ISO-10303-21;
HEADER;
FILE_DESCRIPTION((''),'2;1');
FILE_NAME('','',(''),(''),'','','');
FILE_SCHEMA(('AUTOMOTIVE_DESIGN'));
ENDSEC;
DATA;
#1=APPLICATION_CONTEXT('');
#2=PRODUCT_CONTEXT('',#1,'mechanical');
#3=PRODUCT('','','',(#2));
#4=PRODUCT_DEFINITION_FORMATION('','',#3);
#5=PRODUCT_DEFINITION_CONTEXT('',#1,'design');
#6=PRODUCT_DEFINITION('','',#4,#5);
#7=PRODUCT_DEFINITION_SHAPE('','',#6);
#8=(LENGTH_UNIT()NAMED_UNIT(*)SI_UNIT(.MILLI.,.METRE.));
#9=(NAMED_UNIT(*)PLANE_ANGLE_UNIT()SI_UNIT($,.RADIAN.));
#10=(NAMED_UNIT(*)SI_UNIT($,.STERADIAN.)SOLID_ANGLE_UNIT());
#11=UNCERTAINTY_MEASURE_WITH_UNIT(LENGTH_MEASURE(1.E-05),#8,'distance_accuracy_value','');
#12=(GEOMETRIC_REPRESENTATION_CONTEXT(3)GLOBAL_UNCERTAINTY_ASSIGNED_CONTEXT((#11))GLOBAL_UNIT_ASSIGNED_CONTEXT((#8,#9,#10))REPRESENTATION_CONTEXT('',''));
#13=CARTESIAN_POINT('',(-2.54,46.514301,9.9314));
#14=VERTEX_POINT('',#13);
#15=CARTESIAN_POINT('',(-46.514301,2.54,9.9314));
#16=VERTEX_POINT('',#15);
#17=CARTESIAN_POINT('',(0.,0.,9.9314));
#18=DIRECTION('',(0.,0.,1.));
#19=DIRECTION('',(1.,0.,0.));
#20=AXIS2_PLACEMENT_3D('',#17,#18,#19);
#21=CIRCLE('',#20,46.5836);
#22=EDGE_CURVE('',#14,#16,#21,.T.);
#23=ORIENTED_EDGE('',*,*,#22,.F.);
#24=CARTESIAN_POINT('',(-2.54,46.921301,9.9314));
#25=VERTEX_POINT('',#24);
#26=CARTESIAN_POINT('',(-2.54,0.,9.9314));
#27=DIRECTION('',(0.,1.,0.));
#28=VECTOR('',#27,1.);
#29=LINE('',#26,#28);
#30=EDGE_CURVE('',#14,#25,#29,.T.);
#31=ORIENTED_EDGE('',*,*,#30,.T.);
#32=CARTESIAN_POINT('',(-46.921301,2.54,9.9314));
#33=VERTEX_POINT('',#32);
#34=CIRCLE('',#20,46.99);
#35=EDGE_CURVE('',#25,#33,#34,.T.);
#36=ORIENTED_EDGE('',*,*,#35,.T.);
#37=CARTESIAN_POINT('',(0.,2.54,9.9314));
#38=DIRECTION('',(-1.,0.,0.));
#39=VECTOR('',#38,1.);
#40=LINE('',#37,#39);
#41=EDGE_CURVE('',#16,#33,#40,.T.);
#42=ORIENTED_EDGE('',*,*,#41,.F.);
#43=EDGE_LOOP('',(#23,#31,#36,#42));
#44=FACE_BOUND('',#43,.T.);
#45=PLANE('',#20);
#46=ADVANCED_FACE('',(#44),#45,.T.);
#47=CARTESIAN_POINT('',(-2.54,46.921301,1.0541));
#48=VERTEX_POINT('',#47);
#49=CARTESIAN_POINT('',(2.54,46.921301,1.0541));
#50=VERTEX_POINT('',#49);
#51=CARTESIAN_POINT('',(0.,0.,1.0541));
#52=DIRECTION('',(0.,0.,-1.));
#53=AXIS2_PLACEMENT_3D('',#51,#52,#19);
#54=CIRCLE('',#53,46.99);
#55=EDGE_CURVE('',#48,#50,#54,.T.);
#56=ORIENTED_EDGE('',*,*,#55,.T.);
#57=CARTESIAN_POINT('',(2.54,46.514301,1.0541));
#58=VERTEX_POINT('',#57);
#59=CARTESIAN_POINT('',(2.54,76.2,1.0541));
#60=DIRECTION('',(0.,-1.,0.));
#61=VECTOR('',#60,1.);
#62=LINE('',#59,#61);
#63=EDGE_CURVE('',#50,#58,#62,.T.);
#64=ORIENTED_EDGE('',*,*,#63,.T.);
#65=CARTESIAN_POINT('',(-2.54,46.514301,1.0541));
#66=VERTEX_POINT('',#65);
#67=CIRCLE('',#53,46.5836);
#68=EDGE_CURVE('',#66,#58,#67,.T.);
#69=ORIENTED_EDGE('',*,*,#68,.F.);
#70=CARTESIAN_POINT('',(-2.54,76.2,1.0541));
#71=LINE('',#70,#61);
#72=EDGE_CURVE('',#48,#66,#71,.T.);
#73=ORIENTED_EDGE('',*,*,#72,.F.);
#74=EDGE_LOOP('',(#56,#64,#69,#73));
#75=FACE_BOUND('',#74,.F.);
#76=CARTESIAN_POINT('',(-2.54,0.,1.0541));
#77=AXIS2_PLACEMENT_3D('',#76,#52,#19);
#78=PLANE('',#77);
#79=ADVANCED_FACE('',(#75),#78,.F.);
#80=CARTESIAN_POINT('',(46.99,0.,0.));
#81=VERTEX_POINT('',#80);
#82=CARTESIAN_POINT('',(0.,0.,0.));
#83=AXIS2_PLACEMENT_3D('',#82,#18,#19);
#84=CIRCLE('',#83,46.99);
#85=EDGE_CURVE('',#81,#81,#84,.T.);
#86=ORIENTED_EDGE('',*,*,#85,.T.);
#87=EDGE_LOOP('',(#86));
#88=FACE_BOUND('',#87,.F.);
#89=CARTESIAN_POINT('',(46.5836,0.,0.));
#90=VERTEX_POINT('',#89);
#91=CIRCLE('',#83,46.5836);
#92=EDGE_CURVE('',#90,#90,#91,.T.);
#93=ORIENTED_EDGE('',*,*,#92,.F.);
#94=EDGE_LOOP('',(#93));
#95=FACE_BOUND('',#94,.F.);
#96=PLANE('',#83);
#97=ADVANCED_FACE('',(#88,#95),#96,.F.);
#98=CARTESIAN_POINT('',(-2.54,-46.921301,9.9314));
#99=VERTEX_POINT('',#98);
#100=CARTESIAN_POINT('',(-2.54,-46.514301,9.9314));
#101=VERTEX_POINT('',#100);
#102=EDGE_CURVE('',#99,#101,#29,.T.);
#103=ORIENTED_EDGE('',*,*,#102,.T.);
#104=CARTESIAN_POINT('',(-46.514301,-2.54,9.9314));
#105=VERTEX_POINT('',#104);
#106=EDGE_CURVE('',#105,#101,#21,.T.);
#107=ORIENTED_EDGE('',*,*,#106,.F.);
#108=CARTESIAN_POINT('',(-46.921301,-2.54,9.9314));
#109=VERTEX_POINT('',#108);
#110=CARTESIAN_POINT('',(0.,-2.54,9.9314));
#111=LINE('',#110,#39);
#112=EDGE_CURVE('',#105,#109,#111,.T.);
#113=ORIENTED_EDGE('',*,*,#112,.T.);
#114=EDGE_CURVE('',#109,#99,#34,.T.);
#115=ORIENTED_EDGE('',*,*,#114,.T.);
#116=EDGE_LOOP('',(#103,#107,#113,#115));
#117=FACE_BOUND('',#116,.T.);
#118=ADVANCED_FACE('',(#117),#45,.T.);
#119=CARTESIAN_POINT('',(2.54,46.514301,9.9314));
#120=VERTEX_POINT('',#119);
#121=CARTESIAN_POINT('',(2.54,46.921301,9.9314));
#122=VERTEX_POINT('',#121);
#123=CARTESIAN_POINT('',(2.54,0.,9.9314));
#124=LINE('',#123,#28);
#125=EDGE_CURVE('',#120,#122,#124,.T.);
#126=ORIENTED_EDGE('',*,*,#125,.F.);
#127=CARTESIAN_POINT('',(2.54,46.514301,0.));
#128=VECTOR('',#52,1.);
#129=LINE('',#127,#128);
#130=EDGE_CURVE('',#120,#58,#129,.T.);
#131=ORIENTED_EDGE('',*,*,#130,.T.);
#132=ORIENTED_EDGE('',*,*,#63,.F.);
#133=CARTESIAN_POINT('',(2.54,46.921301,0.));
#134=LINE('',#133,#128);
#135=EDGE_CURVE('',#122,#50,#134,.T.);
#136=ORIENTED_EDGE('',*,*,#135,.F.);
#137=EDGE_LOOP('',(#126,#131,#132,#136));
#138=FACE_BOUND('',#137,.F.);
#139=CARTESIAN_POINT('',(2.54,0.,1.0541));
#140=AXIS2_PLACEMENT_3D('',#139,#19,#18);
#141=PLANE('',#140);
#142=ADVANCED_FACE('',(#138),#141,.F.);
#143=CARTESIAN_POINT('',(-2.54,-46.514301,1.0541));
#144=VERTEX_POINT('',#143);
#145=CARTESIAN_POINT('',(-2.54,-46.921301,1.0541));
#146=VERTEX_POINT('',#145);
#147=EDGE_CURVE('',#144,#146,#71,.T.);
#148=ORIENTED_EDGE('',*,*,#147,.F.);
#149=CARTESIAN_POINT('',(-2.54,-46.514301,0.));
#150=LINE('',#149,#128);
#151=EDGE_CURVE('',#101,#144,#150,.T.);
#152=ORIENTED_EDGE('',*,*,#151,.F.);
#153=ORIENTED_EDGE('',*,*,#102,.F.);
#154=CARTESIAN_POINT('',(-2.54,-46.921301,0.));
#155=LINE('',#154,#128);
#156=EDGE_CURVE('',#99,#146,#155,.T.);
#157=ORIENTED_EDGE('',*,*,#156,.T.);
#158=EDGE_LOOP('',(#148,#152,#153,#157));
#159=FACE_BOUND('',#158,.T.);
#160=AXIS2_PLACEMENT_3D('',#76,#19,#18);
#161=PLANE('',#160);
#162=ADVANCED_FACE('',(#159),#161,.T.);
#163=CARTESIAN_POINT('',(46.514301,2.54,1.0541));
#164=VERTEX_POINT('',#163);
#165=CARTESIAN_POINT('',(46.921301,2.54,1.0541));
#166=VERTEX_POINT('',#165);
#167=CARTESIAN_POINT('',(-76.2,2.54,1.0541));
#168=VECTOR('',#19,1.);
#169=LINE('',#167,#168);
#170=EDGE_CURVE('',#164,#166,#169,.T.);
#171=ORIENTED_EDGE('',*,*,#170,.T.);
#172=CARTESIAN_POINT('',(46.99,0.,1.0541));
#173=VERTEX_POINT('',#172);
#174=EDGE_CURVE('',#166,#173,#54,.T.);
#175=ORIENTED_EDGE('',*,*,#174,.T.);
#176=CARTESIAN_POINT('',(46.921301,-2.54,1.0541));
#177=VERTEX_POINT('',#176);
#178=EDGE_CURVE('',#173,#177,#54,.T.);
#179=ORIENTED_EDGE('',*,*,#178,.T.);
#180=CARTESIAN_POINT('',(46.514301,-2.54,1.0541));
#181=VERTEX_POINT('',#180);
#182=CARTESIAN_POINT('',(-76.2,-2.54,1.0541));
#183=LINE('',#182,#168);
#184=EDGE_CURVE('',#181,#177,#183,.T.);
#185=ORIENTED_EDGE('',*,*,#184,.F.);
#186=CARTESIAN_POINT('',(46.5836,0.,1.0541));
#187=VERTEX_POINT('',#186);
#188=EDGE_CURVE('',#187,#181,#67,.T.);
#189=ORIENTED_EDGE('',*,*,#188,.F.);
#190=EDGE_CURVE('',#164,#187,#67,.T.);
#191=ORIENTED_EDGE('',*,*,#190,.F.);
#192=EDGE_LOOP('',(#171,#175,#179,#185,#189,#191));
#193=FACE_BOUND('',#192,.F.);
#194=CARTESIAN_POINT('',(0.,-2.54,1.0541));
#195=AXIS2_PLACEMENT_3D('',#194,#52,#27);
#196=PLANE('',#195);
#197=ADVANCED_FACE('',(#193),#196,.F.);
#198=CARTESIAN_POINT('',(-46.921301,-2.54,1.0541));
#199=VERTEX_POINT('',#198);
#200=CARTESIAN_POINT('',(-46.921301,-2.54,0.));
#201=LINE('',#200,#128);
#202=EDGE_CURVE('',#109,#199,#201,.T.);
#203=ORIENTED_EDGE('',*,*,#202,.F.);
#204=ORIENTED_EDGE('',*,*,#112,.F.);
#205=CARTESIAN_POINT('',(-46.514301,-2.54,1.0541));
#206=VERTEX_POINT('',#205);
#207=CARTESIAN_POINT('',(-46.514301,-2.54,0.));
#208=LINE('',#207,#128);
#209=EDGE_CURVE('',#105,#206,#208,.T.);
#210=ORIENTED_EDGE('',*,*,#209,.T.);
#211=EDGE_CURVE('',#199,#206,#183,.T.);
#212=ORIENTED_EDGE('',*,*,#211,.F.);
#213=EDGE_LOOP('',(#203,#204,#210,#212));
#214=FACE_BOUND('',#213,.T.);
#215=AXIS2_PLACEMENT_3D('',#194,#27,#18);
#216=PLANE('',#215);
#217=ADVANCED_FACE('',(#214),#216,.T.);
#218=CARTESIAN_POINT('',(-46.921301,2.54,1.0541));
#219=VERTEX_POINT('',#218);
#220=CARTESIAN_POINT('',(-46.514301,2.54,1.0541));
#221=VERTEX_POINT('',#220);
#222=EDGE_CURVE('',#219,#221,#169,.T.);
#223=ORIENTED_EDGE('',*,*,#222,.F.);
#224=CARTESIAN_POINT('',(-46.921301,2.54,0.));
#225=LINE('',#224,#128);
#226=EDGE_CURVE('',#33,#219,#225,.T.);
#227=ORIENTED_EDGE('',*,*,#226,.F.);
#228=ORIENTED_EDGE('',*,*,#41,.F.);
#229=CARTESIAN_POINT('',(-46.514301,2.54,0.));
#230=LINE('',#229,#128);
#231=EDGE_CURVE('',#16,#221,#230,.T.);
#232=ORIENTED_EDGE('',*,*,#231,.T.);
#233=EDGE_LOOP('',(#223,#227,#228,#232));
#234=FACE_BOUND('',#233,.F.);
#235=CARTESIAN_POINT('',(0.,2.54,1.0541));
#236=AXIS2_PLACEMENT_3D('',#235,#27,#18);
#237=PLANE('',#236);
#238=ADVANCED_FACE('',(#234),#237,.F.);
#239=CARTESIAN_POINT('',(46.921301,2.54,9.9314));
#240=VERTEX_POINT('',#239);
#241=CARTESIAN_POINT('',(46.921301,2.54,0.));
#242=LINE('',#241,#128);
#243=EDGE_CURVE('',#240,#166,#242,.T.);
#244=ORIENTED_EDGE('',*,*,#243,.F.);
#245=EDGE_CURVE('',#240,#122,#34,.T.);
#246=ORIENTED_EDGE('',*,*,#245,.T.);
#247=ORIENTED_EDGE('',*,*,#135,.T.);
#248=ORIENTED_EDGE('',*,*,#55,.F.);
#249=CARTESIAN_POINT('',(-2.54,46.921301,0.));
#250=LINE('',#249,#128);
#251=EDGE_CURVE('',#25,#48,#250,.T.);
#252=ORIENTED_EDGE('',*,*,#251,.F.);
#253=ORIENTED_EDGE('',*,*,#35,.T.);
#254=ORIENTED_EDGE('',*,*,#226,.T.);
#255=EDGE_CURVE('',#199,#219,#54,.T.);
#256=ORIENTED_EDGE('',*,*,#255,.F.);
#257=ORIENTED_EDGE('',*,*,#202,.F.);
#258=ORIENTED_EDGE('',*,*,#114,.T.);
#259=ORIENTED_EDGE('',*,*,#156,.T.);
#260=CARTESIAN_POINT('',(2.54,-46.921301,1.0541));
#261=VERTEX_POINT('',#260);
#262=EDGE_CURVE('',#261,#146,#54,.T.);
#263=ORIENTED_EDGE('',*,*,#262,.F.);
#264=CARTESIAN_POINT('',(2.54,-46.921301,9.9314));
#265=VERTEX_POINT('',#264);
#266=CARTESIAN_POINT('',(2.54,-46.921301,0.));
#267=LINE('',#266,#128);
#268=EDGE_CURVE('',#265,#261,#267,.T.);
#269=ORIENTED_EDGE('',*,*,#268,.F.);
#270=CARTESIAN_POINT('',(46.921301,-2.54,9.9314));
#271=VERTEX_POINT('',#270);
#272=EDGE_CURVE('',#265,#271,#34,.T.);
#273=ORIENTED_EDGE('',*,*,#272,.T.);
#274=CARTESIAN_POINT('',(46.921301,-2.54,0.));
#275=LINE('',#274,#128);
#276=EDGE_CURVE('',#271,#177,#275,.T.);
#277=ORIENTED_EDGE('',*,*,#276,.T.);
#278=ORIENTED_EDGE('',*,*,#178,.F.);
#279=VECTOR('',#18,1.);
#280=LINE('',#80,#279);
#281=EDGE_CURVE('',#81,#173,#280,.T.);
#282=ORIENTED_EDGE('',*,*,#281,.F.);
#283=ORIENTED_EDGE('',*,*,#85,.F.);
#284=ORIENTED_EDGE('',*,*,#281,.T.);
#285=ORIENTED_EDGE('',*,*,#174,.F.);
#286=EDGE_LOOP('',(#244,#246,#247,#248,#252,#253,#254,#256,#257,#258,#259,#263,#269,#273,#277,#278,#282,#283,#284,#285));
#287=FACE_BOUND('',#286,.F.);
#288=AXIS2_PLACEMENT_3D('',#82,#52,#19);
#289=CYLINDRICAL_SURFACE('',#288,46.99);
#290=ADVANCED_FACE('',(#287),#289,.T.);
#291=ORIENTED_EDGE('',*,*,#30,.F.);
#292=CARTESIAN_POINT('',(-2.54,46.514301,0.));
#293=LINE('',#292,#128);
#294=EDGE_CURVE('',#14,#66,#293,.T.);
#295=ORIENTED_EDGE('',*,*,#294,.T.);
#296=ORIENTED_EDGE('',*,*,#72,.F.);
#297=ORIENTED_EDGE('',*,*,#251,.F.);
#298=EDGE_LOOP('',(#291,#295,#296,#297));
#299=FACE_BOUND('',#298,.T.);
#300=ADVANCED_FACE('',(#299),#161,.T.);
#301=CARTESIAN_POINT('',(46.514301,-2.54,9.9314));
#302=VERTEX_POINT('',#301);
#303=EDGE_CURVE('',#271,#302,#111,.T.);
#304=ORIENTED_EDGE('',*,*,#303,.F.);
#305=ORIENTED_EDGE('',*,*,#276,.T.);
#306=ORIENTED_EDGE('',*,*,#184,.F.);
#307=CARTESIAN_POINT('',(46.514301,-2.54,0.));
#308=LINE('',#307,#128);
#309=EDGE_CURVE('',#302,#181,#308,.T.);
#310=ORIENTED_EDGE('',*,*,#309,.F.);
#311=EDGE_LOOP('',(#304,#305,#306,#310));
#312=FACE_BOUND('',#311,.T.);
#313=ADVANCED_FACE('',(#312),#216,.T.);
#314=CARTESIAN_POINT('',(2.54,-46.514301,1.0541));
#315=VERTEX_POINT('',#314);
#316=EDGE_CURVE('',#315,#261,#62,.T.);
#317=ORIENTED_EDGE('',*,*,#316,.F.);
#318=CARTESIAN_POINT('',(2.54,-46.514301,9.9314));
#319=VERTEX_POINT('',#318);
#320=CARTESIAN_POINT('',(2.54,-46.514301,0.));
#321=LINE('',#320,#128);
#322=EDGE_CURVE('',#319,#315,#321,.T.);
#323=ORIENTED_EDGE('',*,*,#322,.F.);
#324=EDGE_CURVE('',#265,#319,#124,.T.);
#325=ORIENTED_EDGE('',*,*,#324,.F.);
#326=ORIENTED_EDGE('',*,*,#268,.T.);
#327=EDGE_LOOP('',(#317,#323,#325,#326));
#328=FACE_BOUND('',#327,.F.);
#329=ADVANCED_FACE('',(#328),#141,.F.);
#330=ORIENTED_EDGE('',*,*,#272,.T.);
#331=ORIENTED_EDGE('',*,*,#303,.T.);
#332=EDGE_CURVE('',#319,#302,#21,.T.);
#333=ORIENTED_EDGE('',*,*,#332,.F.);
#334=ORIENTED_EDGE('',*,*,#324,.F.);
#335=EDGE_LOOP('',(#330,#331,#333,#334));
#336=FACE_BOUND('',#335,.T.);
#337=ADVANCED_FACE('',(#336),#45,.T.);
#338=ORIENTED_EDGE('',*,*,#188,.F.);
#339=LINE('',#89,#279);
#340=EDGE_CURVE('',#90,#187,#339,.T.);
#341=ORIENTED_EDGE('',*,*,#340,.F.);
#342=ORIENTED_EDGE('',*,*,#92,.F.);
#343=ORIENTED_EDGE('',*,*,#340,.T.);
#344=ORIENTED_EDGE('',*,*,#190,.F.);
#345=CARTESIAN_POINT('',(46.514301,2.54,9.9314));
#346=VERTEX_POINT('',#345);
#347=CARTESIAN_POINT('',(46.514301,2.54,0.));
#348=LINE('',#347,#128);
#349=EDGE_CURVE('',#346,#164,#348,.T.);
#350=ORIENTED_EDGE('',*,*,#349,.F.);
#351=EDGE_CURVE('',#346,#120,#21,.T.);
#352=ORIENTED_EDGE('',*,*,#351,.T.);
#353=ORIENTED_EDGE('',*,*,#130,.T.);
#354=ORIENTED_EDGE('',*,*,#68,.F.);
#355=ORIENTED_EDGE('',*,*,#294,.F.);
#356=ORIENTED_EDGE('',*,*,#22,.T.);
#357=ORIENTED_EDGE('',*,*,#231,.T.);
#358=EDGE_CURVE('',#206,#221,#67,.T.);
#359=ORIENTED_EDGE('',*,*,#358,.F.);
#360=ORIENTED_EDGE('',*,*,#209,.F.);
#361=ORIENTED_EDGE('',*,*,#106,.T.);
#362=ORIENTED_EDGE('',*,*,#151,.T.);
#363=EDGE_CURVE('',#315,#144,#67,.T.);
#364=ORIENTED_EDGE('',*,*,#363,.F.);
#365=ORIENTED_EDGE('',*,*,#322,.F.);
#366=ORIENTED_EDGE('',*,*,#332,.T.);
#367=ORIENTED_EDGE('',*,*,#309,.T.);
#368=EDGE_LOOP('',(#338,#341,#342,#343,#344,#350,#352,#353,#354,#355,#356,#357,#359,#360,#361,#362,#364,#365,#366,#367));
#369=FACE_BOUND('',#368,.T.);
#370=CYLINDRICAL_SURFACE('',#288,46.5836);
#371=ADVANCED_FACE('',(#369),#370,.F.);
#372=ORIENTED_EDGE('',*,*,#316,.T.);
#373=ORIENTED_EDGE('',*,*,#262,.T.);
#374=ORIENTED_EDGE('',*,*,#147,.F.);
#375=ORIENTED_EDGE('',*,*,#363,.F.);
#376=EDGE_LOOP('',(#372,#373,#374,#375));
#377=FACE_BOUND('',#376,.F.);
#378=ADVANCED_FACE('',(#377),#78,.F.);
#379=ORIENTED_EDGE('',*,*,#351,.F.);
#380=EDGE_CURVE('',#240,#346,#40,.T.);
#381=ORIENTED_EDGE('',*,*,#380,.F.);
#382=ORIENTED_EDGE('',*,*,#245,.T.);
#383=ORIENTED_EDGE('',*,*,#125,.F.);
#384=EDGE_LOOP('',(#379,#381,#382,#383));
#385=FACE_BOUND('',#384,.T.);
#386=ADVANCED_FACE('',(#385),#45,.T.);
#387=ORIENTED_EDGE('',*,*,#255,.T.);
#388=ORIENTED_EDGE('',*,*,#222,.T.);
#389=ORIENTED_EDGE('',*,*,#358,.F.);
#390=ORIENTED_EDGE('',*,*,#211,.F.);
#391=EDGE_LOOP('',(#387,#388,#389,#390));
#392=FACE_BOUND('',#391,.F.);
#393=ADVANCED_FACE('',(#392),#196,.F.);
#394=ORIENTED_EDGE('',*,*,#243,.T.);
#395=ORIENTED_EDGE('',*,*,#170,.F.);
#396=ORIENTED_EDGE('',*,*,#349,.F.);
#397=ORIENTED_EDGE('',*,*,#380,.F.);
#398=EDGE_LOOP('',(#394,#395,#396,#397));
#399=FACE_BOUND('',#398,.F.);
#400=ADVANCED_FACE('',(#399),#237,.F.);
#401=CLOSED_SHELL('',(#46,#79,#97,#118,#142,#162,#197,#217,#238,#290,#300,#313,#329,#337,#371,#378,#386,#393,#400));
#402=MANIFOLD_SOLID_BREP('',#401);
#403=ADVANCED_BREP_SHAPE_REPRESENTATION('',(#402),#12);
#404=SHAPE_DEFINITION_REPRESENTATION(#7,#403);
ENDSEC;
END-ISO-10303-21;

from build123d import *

# Parameters (mm, degrees)
F0_R     = 46.99
F0_R_2   = 46.5836
F1_DEPTH = 9.9314
F2_W     = 5.08
F2_H     = 12.7
F3_DEPTH = 76.2
F4_W     = 5.08
F4_H     = 12.7
F5_DEPTH = 76.2


with BuildPart() as f1:
    # F0 (on Top) → F1 (new body)
    with BuildSketch(Plane.XY):
        Circle(F0_R)
        Circle(F0_R_2, mode=Mode.SUBTRACT)
    extrude(amount=F1_DEPTH)

    # F2 (on Right) → F3 (cut, symmetric)
    with BuildSketch(Plane.YZ):
        with Locations((0, 7.4041)):
            Rectangle(F2_W, F2_H)
    extrude(amount=F3_DEPTH, both=True, mode=Mode.SUBTRACT)

    # F4 (on Front) → F5 (cut, symmetric)
    with BuildSketch(Plane.XZ):
        with Locations((0, 7.4041)):
            Rectangle(F4_W, F4_H)
    extrude(amount=F5_DEPTH, both=True, mode=Mode.SUBTRACT)


solid = f1.part
